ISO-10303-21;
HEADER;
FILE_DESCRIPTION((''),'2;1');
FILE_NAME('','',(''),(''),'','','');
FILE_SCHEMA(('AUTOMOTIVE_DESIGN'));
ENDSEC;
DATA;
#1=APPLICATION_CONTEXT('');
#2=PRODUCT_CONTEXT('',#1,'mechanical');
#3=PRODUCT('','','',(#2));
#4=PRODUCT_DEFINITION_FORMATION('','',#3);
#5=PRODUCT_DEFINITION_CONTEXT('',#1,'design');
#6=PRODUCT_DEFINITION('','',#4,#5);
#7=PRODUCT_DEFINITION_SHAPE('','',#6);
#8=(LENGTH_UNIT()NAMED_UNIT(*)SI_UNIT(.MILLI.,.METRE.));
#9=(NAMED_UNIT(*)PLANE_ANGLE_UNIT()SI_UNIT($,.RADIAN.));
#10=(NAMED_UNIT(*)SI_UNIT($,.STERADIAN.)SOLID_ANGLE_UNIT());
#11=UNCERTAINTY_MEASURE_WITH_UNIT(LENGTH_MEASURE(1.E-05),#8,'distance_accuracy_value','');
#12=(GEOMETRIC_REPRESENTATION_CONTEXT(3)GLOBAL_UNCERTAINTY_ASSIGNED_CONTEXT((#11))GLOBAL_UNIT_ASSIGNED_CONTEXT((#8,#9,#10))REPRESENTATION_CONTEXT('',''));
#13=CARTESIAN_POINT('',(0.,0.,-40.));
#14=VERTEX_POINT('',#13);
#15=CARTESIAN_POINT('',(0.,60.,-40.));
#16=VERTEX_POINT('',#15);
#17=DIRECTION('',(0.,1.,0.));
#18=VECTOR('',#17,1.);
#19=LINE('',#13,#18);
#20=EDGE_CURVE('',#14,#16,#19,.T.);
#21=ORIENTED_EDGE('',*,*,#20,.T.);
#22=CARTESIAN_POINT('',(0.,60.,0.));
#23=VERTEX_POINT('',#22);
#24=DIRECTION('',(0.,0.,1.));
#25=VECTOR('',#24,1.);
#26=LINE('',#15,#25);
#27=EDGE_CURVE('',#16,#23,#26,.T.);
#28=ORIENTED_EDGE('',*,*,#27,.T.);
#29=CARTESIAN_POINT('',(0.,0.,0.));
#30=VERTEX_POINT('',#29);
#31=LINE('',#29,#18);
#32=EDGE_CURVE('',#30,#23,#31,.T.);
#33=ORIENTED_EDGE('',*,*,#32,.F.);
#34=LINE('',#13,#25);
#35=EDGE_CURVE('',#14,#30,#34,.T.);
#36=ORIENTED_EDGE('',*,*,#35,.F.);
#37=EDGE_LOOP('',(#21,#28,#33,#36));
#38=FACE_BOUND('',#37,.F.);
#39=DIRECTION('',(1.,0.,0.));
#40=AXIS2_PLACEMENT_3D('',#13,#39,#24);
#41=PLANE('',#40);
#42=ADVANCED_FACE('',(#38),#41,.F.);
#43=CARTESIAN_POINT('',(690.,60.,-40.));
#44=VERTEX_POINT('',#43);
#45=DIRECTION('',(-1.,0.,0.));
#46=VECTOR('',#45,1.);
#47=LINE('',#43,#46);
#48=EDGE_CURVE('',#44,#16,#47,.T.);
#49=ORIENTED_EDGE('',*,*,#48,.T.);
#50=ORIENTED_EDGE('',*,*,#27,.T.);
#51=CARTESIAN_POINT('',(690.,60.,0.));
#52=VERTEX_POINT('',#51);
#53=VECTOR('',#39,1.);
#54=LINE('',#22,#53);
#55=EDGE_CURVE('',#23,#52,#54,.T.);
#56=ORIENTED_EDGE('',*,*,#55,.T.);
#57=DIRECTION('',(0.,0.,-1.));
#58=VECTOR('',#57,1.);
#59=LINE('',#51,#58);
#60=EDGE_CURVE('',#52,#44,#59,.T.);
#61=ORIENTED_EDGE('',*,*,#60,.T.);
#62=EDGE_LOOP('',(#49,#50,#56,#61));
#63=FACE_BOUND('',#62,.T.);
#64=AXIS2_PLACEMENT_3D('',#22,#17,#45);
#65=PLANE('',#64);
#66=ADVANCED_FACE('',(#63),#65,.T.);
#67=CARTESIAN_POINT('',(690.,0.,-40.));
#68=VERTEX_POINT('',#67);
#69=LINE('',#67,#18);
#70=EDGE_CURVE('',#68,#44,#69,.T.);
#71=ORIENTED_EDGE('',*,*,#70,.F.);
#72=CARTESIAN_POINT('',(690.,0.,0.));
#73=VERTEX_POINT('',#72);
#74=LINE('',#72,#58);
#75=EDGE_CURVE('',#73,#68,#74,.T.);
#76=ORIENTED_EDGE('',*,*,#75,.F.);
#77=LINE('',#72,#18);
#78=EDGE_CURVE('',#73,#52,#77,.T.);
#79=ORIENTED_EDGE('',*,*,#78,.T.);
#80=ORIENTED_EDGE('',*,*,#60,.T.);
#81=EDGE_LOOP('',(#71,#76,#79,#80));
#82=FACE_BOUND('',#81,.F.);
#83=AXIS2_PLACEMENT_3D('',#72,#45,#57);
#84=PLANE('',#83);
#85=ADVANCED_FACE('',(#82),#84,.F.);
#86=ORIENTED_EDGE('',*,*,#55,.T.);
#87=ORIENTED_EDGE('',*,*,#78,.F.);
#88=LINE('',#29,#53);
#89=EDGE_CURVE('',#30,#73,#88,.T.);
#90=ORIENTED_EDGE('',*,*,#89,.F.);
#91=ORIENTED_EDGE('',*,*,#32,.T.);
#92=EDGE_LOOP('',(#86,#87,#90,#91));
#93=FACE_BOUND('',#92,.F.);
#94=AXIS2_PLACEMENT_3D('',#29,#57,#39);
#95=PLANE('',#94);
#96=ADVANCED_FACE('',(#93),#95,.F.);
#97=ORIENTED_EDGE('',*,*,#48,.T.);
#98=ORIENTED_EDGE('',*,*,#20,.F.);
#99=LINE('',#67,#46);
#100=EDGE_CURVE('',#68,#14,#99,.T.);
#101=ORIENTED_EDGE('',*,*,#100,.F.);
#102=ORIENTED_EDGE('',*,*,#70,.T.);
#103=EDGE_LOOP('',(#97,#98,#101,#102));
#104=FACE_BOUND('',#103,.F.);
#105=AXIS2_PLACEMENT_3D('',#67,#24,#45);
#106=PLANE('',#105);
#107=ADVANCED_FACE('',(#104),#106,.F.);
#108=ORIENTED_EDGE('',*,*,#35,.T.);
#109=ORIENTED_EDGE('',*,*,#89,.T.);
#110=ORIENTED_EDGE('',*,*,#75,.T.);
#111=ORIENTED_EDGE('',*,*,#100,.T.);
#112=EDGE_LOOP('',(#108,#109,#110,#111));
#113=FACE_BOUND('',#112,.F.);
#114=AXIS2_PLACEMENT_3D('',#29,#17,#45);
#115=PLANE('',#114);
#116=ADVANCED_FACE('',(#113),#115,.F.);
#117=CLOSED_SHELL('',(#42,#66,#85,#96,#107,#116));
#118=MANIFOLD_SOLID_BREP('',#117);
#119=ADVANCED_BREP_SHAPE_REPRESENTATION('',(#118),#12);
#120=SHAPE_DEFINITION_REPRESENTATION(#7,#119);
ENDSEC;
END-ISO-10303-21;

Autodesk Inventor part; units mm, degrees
ref_plane "YZ Plane" through (0, 0, 0) normal (1, 0, 0) x (0, 1, 0)
ref_plane "XZ Plane" through (0, 0, 0) normal (0, 1, 0) x (-1, 0, 0)
ref_plane "XY Plane" through (0, 0, 0) normal (0, 0, 1) x (1, 0, 0)
sketch "Sketch1" plane through (0, 0, 0) normal (0, 1, 0) x (-1, 0, 0)
  line L0 (0, 0) -> (-690, 0)
  line L1 (-690, 0) -> (-690, -40)
  line L2 (-690, -40) -> (0, -40)
  line L3 (0, -40) -> (0, 0)
  dimension "d0" = 690
  dimension "d1" = 40
extrude "Extrusion1" add sketch "Sketch1" along normal blind 60
properties part number "Cadru_3"
